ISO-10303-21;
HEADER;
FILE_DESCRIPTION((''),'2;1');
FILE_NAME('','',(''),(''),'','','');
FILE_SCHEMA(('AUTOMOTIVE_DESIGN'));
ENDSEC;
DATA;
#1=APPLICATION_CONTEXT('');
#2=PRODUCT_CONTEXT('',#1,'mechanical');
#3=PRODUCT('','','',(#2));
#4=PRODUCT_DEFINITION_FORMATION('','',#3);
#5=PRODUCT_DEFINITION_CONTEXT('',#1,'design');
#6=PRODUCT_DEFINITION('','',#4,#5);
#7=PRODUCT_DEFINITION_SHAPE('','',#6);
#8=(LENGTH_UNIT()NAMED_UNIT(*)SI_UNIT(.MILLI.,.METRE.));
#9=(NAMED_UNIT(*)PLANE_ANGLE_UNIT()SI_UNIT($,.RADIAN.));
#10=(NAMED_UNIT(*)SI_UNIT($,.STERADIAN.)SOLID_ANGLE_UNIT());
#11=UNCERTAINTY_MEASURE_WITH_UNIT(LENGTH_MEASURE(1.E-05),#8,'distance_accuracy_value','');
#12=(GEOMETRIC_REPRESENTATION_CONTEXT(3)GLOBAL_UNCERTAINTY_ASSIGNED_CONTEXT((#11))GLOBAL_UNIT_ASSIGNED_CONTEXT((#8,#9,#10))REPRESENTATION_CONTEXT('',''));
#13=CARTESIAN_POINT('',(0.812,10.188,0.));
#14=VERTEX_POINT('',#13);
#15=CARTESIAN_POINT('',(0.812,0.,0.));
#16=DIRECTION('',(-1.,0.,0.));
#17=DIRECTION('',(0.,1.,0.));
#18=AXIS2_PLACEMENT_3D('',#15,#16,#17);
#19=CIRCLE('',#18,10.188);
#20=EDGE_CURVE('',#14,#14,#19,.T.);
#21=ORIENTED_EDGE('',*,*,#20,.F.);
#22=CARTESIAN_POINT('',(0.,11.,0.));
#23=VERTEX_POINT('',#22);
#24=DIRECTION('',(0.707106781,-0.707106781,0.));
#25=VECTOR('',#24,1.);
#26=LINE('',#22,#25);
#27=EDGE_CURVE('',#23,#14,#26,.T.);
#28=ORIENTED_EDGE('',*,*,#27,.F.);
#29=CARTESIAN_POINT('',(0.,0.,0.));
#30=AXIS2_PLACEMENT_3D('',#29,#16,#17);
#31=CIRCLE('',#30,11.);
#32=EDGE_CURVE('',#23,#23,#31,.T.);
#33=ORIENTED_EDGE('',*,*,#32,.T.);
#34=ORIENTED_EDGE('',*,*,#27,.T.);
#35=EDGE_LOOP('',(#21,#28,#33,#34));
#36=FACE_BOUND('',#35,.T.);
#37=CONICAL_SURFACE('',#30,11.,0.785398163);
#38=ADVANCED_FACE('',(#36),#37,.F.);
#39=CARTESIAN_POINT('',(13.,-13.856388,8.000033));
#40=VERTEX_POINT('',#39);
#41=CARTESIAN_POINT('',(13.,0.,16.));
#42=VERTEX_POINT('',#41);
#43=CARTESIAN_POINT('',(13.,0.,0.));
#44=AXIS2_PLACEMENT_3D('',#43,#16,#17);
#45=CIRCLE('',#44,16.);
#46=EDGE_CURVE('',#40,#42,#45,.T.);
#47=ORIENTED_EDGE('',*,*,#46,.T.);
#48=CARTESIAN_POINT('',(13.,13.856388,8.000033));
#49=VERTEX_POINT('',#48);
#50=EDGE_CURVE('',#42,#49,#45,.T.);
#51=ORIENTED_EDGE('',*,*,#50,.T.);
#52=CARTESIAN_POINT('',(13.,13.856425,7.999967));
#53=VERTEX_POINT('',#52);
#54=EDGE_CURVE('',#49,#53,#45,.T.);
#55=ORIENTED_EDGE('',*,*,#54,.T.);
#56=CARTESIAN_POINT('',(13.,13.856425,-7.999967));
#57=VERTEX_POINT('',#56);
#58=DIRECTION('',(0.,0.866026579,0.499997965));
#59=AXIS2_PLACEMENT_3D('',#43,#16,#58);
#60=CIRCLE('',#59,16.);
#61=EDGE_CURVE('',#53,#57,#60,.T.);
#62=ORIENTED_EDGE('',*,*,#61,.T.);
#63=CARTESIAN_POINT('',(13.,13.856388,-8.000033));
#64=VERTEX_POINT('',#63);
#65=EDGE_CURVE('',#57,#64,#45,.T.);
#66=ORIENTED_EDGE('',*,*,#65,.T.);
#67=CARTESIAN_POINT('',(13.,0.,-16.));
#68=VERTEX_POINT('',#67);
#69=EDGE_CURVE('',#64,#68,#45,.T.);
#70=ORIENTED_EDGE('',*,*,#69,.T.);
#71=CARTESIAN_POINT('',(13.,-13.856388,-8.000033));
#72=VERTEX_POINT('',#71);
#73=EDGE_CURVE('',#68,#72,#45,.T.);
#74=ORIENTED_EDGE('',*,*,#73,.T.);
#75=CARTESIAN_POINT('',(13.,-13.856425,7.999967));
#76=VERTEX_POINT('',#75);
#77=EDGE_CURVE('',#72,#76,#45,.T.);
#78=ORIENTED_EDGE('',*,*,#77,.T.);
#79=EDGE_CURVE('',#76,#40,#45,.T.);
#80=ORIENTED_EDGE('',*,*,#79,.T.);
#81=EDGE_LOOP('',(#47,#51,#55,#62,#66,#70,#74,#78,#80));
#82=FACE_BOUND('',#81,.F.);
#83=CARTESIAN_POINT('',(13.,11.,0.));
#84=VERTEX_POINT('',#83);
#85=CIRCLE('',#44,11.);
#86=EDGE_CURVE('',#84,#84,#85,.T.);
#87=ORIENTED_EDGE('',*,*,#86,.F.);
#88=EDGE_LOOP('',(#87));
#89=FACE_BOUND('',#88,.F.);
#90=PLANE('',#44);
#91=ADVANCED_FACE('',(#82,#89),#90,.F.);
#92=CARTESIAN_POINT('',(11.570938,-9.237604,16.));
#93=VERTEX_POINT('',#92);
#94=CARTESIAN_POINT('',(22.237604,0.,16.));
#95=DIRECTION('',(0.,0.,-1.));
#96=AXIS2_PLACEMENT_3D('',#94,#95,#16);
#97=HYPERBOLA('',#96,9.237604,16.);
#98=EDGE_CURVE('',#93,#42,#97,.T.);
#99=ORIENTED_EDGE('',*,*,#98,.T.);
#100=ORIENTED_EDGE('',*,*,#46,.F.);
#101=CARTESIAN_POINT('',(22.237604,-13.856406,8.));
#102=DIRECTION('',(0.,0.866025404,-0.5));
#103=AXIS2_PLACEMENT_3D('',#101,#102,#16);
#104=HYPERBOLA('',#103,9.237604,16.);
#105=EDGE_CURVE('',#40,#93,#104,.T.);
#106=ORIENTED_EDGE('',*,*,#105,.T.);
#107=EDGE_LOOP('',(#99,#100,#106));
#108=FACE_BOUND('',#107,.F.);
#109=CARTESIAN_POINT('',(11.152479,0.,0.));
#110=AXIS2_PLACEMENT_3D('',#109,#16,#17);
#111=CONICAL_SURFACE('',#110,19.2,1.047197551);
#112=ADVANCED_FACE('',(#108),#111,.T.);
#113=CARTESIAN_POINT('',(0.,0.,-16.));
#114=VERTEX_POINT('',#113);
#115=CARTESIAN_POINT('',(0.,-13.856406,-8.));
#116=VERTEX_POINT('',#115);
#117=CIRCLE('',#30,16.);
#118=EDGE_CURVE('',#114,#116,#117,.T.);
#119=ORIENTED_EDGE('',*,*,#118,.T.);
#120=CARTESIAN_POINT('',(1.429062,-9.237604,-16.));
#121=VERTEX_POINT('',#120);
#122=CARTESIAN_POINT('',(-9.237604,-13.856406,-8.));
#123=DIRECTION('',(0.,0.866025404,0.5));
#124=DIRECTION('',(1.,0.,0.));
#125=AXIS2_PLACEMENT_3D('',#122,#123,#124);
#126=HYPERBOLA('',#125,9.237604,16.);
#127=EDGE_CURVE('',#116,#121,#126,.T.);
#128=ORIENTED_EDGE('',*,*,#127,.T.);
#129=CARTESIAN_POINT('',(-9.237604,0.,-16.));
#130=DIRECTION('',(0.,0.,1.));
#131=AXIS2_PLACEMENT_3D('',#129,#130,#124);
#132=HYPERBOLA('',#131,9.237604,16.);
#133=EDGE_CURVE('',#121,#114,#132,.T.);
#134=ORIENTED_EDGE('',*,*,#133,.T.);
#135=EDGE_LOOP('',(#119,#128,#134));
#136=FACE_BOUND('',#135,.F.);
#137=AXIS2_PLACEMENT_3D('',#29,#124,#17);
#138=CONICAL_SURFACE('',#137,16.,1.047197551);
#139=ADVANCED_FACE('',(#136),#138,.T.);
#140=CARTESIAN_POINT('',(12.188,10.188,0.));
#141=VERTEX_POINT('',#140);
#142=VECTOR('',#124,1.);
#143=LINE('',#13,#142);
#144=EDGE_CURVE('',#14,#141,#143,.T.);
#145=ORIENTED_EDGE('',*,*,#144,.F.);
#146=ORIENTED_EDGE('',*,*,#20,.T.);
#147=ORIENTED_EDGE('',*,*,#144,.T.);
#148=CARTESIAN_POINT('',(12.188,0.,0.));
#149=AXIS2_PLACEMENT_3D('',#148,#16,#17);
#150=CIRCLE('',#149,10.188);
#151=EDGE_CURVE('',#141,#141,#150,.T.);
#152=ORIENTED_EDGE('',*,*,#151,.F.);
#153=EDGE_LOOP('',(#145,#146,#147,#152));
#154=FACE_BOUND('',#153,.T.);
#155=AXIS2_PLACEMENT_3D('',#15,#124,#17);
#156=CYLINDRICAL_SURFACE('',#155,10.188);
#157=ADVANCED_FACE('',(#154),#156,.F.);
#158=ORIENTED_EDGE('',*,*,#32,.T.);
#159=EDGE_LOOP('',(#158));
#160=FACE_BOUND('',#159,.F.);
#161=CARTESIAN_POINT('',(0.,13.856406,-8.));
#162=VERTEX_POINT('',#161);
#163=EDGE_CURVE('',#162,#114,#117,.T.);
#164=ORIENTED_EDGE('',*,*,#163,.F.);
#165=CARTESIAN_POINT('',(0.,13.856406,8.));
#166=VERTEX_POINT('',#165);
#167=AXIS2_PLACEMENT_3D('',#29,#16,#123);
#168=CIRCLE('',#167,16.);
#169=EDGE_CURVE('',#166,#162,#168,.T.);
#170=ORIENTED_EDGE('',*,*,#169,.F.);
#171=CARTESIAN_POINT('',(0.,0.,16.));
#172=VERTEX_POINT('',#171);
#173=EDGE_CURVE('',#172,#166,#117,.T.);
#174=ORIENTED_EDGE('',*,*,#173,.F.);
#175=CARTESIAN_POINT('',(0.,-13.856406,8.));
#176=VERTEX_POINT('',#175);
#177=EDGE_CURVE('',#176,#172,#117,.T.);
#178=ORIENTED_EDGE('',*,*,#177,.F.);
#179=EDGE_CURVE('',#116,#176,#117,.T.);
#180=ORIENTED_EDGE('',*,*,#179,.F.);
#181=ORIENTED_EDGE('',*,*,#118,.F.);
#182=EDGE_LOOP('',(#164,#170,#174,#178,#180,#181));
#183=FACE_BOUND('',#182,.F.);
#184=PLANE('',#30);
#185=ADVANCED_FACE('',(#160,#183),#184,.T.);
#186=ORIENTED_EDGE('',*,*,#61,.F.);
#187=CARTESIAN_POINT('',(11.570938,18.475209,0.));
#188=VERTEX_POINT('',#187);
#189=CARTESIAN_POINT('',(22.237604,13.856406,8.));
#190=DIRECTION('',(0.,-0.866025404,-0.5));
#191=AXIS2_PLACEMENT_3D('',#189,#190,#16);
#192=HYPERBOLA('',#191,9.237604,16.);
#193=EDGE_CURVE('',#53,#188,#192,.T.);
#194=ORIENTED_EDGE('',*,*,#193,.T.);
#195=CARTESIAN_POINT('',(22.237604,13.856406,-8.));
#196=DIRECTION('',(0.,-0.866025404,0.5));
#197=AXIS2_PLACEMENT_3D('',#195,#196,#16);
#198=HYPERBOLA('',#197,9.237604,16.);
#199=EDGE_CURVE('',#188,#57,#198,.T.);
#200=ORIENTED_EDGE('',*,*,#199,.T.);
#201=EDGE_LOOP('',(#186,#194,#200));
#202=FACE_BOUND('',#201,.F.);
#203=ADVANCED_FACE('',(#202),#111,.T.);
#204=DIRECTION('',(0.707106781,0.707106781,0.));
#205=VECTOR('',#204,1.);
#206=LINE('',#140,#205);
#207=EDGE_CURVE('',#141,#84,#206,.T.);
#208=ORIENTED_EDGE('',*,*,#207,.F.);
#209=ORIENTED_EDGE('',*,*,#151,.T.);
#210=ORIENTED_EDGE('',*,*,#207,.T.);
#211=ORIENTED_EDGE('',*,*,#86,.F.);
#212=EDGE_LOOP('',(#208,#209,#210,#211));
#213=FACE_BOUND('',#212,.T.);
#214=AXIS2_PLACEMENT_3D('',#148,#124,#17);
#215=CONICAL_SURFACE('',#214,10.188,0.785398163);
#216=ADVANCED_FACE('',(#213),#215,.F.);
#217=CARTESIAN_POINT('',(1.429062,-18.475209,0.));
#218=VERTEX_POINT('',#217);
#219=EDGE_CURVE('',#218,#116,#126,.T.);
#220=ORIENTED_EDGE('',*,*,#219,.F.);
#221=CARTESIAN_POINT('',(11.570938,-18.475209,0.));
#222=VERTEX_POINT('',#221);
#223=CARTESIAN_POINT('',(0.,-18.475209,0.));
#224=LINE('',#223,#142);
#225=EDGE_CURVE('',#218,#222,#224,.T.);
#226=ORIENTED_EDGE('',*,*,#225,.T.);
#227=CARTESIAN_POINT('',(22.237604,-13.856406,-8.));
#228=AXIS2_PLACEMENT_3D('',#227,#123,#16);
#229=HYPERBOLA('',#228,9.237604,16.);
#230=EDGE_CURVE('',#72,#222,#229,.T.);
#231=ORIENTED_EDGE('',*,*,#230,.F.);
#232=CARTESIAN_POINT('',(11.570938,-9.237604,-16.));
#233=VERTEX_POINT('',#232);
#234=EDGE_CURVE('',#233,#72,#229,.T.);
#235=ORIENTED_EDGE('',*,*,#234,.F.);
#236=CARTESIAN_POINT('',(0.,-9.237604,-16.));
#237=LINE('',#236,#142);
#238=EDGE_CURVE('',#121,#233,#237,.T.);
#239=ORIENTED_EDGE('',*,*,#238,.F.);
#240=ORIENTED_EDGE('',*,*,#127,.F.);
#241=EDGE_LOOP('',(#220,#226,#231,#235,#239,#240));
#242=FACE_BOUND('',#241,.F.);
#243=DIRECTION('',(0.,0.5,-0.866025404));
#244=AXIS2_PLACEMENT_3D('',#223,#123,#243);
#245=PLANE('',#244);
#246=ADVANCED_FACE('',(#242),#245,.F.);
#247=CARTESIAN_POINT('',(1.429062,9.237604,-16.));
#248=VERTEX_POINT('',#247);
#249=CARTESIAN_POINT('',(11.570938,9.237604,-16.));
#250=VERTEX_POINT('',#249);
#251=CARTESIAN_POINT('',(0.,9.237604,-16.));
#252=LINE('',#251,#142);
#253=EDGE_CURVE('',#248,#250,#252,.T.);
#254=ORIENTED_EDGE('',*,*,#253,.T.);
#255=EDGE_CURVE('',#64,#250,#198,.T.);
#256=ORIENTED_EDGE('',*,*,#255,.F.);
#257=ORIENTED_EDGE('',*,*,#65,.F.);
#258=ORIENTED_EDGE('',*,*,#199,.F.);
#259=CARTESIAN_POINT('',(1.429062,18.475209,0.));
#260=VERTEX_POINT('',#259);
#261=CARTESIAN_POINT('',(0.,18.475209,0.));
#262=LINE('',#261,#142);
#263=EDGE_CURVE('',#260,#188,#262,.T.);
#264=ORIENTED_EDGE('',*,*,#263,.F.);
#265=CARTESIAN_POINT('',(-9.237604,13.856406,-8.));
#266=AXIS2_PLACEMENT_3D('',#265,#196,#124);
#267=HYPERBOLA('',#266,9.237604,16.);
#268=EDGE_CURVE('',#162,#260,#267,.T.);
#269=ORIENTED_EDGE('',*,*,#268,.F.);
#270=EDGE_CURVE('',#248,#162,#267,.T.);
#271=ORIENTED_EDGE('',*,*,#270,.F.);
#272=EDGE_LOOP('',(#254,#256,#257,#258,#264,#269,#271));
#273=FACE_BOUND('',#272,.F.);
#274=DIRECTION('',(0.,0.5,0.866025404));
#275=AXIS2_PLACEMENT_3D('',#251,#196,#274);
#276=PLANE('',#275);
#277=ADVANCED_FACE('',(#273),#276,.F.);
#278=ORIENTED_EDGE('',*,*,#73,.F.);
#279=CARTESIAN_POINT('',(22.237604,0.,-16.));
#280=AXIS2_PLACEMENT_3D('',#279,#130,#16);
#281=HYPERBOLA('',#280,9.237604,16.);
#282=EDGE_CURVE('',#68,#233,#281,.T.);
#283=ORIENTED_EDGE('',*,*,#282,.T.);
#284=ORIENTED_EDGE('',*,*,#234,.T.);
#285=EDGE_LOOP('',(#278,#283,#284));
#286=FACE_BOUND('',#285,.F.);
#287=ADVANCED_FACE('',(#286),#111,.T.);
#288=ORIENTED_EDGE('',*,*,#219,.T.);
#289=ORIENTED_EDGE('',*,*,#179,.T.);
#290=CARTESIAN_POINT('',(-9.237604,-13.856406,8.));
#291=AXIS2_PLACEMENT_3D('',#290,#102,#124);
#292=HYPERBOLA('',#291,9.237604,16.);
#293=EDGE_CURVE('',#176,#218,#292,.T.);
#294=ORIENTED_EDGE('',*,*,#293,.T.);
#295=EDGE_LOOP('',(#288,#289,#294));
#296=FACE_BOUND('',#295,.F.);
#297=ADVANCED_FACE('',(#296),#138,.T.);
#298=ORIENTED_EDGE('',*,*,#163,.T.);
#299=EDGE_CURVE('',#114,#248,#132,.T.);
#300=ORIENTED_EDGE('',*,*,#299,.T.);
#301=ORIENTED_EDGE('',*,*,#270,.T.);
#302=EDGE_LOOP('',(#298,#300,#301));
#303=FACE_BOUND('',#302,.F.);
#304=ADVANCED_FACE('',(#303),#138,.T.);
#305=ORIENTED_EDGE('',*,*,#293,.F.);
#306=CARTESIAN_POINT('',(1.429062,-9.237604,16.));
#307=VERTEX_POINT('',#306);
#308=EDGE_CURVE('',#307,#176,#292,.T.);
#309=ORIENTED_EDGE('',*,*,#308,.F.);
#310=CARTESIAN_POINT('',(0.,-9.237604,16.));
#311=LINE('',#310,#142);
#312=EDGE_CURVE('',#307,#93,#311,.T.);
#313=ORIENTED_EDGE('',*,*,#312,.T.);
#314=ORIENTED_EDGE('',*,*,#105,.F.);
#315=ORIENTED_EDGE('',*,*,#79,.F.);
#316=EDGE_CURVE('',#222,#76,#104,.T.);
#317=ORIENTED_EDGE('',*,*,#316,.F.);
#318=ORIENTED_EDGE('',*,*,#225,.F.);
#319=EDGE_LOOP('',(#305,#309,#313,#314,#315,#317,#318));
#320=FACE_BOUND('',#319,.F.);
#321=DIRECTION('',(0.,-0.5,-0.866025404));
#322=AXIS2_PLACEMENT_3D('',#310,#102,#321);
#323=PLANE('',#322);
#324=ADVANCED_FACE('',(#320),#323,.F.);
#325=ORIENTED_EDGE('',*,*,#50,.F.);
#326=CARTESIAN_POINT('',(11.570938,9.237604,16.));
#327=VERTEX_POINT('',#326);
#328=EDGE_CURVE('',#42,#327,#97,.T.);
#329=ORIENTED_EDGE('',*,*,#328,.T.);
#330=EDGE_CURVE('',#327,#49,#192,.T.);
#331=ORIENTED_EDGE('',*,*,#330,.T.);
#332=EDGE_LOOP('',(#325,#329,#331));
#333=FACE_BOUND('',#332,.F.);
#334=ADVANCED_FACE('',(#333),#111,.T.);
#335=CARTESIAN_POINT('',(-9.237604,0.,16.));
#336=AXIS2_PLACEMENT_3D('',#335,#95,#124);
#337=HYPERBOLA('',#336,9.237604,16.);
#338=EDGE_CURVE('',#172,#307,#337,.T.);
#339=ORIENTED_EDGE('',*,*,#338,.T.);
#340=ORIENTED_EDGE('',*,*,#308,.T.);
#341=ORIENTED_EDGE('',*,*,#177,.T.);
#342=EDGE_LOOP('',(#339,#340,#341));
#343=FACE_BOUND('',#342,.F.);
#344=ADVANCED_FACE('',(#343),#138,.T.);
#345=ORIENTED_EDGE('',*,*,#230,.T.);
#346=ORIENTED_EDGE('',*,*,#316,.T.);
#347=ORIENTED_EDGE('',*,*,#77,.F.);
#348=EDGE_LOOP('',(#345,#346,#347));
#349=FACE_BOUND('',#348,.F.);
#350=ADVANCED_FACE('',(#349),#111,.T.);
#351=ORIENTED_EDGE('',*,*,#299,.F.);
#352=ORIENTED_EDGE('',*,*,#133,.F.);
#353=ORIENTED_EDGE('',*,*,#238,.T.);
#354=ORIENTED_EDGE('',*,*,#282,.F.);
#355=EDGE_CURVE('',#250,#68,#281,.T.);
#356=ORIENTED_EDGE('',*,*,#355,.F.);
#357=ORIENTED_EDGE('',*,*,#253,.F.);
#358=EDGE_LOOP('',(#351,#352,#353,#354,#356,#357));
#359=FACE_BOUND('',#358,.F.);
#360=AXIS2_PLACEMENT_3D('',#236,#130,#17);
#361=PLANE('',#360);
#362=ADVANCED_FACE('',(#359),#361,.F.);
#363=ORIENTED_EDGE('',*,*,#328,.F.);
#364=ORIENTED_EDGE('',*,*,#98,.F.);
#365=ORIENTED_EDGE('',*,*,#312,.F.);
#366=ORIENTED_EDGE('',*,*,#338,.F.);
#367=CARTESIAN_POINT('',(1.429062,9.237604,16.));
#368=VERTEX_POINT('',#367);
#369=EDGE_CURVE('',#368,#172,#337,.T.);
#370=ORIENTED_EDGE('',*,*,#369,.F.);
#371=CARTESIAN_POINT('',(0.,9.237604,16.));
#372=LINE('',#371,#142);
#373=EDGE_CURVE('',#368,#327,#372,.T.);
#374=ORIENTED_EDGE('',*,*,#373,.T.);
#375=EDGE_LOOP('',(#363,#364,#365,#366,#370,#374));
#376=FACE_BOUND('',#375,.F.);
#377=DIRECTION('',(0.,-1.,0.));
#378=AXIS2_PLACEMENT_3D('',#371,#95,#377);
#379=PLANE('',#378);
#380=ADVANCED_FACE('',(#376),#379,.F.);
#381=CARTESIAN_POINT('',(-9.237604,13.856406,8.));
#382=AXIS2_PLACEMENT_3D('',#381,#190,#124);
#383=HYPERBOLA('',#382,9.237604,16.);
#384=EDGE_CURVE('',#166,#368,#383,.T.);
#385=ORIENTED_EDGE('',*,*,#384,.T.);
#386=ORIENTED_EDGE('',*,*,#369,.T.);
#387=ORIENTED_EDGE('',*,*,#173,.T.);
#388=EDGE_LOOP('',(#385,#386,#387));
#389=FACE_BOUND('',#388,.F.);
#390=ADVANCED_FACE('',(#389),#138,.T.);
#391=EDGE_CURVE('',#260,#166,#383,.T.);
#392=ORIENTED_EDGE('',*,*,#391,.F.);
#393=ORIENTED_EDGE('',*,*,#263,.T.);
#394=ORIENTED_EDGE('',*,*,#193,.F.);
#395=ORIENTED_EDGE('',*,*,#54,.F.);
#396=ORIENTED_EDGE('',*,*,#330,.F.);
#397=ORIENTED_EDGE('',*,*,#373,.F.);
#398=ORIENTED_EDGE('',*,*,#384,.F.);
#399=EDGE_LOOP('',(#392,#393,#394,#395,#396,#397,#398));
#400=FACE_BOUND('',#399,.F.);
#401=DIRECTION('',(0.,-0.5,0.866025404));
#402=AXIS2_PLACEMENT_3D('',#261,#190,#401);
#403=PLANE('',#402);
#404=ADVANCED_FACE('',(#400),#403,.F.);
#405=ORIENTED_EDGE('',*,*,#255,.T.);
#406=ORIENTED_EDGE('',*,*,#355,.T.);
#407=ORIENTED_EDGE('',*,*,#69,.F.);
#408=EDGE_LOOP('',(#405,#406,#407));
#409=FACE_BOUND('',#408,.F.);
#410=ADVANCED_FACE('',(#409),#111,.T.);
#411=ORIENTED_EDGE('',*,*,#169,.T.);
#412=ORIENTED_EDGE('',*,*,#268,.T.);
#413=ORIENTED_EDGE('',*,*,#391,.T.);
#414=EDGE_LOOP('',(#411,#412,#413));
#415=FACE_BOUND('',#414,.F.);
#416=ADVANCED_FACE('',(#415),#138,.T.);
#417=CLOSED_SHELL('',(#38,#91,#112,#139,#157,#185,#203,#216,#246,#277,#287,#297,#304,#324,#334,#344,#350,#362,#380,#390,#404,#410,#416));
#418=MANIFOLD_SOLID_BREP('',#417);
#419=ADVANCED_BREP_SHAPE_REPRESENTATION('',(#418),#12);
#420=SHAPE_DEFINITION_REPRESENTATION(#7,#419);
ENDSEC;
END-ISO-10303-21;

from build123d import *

# Parameters (mm, degrees)
SKETCH_2_W          = 64
SKETCH_2_H          = 64
CUT_EXTRUDE_1_DEPTH = 26


with BuildPart() as part:
    # 草图1 → 旋转1 (revolve)
    with BuildSketch(Plane.XY):
        Polygon((0, 0), (0, 16), (1.847520861, 19.2), (11.152479139, 19.2), (13, 16), (13, 0), align=None)
    revolve(axis=Axis((13, 0, 0), (-1, 0, 0)))

    # 草图2 → 切除-拉伸1 (cut)
    with BuildSketch(Plane(origin=(0, 0, 0), x_dir=(0, 0, -1), z_dir=(1, 0, 0))):
        Rectangle(SKETCH_2_W, SKETCH_2_H)
        Polygon((-16, -9.237604307), (0, -18.475208614), (16, -9.237604307), (16, 9.237604307), (0, 18.475208614), (-16, 9.237604307), align=None, mode=Mode.SUBTRACT)
    extrude(amount=CUT_EXTRUDE_1_DEPTH, mode=Mode.SUBTRACT)

    # 草图3 → 切除-旋转1 (revolve, cut)
    with BuildSketch(Plane.XY):
        Polygon((0, 0), (0, 11), (0.812, 10.188), (12.188, 10.188), (13, 11), (13, 0), align=None)
    revolve(axis=Axis((13, 0, 0), (-1, 0, 0)), mode=Mode.SUBTRACT)


solid = part.part
